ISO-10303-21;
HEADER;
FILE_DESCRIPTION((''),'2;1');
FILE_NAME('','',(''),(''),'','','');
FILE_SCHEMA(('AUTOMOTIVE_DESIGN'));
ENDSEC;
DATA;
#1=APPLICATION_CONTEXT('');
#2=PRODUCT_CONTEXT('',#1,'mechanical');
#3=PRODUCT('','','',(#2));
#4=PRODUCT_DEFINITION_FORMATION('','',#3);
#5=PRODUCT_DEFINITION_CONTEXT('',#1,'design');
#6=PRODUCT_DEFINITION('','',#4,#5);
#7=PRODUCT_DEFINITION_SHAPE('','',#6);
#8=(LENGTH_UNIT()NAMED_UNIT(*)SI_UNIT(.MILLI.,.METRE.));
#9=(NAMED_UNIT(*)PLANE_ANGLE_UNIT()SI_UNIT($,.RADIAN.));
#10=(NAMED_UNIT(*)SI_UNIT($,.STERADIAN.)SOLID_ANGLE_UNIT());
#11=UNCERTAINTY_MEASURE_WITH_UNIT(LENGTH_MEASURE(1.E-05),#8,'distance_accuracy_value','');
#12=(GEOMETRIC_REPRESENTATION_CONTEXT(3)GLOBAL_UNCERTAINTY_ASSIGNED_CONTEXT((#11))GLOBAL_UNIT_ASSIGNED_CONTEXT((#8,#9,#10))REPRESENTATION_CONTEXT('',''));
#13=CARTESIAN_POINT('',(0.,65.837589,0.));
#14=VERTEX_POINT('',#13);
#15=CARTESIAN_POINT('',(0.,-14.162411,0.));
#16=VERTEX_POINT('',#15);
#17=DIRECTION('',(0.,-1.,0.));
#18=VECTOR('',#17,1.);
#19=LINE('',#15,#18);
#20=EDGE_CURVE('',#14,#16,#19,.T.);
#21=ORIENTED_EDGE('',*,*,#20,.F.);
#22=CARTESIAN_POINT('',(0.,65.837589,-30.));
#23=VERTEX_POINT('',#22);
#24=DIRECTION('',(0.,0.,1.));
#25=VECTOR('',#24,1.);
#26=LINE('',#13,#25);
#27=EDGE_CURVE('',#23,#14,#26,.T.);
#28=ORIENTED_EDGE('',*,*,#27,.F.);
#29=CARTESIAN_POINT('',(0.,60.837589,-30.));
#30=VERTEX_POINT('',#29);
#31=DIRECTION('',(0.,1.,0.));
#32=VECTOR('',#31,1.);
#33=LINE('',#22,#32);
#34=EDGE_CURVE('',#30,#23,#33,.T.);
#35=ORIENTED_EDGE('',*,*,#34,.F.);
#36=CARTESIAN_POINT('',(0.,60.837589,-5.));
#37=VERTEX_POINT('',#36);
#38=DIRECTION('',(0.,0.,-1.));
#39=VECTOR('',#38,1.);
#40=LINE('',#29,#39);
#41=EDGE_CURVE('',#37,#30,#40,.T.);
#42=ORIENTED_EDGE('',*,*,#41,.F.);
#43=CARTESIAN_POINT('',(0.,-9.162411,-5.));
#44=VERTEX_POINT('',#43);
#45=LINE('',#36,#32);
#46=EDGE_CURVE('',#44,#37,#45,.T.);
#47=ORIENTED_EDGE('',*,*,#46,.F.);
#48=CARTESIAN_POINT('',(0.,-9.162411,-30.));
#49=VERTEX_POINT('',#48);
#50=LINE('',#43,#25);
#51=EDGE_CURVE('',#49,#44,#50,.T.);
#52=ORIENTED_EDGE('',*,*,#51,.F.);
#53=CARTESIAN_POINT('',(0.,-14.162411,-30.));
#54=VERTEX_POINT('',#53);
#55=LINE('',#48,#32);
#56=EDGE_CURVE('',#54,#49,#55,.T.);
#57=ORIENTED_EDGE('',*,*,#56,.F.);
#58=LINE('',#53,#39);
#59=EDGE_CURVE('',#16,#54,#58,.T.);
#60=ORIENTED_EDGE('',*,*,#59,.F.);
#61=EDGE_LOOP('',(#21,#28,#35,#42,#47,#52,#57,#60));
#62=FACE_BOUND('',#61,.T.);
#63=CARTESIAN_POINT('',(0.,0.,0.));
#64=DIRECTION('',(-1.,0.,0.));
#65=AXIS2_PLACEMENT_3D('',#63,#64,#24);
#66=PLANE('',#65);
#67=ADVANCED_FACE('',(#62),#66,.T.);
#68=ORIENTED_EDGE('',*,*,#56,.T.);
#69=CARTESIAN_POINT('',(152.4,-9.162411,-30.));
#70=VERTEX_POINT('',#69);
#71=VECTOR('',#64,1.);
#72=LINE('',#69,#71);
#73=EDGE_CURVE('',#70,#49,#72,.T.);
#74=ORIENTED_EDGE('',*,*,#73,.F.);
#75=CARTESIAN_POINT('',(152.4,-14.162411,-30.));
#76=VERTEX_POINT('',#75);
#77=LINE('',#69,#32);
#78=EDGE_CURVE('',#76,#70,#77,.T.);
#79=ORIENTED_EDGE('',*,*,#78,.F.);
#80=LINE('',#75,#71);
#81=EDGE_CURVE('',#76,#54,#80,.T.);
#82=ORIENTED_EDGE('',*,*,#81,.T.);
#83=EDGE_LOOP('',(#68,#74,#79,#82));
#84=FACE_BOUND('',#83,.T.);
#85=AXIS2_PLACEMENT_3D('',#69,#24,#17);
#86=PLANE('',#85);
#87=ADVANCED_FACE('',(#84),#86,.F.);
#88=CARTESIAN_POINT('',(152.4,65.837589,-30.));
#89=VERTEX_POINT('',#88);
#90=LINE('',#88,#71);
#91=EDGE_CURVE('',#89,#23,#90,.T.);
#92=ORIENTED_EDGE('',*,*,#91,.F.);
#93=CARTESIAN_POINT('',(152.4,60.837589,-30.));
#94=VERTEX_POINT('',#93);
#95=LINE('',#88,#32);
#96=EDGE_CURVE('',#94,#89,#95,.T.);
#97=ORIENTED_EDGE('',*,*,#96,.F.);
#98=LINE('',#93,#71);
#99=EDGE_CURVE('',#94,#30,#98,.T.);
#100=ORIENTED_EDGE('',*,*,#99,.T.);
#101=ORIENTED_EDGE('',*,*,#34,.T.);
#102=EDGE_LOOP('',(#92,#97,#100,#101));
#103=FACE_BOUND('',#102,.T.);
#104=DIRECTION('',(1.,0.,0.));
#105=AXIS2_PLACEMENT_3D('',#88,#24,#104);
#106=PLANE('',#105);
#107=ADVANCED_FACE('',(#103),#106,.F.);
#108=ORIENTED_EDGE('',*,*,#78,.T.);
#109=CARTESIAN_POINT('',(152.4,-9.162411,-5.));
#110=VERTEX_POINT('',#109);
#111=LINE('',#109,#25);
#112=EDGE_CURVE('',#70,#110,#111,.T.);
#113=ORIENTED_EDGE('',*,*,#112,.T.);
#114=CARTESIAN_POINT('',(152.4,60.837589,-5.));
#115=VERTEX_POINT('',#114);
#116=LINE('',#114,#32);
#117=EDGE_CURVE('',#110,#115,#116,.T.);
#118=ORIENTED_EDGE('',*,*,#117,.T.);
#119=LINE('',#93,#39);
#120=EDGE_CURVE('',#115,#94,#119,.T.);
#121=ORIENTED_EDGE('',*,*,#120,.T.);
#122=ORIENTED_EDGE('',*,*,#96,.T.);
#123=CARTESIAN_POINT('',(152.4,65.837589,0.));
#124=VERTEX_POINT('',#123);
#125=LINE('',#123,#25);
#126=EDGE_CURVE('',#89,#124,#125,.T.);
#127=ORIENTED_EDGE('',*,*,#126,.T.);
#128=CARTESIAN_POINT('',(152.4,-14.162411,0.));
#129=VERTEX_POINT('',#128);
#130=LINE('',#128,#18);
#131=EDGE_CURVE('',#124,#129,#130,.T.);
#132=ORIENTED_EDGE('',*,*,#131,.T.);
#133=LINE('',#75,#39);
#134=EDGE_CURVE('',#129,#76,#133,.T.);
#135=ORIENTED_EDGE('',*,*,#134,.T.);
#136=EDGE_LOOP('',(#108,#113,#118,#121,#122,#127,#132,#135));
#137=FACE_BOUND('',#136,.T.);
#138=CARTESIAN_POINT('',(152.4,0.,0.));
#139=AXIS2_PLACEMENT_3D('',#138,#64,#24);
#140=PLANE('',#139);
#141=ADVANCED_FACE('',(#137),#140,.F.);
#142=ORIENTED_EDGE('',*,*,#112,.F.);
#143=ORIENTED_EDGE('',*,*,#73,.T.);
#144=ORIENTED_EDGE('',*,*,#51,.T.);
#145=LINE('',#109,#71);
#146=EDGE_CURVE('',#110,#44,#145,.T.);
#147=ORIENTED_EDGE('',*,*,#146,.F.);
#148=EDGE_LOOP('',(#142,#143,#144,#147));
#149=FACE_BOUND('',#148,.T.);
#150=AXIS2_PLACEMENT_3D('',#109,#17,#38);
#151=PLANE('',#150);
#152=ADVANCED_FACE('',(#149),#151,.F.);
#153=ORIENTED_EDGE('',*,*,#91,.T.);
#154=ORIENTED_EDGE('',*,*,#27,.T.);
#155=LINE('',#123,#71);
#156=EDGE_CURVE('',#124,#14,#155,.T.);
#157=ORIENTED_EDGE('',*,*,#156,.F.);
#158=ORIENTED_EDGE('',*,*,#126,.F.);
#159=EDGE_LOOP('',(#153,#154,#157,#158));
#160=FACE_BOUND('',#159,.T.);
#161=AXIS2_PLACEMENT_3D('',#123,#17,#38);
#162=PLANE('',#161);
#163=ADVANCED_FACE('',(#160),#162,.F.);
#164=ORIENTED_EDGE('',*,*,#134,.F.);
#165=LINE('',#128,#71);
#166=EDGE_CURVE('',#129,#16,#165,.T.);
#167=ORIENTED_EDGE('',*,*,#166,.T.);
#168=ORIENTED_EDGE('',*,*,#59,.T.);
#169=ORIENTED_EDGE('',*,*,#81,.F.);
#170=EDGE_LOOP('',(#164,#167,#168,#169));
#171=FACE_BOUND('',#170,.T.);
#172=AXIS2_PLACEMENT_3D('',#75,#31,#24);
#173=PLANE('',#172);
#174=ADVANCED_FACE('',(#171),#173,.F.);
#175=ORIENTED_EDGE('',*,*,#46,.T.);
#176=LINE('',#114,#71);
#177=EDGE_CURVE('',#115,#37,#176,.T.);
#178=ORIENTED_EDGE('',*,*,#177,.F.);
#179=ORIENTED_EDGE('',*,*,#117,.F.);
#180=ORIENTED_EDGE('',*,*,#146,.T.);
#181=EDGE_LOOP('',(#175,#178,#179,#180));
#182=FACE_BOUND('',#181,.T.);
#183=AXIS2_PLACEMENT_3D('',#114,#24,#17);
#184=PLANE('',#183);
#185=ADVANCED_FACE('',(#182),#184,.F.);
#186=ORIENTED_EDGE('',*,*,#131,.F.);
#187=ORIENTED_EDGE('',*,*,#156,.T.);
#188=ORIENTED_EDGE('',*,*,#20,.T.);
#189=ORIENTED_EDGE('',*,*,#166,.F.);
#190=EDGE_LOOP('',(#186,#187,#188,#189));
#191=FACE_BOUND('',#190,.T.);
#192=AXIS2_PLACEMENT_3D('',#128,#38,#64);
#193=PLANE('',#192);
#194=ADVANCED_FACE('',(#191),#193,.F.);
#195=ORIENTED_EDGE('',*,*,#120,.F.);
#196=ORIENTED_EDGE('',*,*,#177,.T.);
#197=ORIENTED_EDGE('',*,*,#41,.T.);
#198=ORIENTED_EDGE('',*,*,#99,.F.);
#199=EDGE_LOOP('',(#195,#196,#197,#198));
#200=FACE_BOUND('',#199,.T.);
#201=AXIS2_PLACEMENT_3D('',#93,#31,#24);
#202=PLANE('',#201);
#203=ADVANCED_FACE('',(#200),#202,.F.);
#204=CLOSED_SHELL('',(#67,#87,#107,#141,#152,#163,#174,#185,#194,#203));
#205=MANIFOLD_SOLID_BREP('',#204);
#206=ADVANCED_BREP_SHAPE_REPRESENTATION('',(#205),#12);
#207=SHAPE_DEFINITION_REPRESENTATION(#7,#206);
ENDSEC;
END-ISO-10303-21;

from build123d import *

# Parameters (mm, degrees)
BOSS_EXTRUDE1_DEPTH = 152.4


with BuildPart() as part:
    # Sketch1 → Boss-Extrude1 (new body)
    with BuildSketch(Plane(origin=(0, 0, 0), x_dir=(0, 0, -1), z_dir=(1, 0, 0))):
        Polygon((0, 65.837588936), (30, 65.837588936), (30, 60.837588936), (5, 60.837588936), (5, -9.162411064), (30, -9.162411064), (30, -14.162411064), (0, -14.162411064), align=None)
    extrude(amount=BOSS_EXTRUDE1_DEPTH)


solid = part.part
